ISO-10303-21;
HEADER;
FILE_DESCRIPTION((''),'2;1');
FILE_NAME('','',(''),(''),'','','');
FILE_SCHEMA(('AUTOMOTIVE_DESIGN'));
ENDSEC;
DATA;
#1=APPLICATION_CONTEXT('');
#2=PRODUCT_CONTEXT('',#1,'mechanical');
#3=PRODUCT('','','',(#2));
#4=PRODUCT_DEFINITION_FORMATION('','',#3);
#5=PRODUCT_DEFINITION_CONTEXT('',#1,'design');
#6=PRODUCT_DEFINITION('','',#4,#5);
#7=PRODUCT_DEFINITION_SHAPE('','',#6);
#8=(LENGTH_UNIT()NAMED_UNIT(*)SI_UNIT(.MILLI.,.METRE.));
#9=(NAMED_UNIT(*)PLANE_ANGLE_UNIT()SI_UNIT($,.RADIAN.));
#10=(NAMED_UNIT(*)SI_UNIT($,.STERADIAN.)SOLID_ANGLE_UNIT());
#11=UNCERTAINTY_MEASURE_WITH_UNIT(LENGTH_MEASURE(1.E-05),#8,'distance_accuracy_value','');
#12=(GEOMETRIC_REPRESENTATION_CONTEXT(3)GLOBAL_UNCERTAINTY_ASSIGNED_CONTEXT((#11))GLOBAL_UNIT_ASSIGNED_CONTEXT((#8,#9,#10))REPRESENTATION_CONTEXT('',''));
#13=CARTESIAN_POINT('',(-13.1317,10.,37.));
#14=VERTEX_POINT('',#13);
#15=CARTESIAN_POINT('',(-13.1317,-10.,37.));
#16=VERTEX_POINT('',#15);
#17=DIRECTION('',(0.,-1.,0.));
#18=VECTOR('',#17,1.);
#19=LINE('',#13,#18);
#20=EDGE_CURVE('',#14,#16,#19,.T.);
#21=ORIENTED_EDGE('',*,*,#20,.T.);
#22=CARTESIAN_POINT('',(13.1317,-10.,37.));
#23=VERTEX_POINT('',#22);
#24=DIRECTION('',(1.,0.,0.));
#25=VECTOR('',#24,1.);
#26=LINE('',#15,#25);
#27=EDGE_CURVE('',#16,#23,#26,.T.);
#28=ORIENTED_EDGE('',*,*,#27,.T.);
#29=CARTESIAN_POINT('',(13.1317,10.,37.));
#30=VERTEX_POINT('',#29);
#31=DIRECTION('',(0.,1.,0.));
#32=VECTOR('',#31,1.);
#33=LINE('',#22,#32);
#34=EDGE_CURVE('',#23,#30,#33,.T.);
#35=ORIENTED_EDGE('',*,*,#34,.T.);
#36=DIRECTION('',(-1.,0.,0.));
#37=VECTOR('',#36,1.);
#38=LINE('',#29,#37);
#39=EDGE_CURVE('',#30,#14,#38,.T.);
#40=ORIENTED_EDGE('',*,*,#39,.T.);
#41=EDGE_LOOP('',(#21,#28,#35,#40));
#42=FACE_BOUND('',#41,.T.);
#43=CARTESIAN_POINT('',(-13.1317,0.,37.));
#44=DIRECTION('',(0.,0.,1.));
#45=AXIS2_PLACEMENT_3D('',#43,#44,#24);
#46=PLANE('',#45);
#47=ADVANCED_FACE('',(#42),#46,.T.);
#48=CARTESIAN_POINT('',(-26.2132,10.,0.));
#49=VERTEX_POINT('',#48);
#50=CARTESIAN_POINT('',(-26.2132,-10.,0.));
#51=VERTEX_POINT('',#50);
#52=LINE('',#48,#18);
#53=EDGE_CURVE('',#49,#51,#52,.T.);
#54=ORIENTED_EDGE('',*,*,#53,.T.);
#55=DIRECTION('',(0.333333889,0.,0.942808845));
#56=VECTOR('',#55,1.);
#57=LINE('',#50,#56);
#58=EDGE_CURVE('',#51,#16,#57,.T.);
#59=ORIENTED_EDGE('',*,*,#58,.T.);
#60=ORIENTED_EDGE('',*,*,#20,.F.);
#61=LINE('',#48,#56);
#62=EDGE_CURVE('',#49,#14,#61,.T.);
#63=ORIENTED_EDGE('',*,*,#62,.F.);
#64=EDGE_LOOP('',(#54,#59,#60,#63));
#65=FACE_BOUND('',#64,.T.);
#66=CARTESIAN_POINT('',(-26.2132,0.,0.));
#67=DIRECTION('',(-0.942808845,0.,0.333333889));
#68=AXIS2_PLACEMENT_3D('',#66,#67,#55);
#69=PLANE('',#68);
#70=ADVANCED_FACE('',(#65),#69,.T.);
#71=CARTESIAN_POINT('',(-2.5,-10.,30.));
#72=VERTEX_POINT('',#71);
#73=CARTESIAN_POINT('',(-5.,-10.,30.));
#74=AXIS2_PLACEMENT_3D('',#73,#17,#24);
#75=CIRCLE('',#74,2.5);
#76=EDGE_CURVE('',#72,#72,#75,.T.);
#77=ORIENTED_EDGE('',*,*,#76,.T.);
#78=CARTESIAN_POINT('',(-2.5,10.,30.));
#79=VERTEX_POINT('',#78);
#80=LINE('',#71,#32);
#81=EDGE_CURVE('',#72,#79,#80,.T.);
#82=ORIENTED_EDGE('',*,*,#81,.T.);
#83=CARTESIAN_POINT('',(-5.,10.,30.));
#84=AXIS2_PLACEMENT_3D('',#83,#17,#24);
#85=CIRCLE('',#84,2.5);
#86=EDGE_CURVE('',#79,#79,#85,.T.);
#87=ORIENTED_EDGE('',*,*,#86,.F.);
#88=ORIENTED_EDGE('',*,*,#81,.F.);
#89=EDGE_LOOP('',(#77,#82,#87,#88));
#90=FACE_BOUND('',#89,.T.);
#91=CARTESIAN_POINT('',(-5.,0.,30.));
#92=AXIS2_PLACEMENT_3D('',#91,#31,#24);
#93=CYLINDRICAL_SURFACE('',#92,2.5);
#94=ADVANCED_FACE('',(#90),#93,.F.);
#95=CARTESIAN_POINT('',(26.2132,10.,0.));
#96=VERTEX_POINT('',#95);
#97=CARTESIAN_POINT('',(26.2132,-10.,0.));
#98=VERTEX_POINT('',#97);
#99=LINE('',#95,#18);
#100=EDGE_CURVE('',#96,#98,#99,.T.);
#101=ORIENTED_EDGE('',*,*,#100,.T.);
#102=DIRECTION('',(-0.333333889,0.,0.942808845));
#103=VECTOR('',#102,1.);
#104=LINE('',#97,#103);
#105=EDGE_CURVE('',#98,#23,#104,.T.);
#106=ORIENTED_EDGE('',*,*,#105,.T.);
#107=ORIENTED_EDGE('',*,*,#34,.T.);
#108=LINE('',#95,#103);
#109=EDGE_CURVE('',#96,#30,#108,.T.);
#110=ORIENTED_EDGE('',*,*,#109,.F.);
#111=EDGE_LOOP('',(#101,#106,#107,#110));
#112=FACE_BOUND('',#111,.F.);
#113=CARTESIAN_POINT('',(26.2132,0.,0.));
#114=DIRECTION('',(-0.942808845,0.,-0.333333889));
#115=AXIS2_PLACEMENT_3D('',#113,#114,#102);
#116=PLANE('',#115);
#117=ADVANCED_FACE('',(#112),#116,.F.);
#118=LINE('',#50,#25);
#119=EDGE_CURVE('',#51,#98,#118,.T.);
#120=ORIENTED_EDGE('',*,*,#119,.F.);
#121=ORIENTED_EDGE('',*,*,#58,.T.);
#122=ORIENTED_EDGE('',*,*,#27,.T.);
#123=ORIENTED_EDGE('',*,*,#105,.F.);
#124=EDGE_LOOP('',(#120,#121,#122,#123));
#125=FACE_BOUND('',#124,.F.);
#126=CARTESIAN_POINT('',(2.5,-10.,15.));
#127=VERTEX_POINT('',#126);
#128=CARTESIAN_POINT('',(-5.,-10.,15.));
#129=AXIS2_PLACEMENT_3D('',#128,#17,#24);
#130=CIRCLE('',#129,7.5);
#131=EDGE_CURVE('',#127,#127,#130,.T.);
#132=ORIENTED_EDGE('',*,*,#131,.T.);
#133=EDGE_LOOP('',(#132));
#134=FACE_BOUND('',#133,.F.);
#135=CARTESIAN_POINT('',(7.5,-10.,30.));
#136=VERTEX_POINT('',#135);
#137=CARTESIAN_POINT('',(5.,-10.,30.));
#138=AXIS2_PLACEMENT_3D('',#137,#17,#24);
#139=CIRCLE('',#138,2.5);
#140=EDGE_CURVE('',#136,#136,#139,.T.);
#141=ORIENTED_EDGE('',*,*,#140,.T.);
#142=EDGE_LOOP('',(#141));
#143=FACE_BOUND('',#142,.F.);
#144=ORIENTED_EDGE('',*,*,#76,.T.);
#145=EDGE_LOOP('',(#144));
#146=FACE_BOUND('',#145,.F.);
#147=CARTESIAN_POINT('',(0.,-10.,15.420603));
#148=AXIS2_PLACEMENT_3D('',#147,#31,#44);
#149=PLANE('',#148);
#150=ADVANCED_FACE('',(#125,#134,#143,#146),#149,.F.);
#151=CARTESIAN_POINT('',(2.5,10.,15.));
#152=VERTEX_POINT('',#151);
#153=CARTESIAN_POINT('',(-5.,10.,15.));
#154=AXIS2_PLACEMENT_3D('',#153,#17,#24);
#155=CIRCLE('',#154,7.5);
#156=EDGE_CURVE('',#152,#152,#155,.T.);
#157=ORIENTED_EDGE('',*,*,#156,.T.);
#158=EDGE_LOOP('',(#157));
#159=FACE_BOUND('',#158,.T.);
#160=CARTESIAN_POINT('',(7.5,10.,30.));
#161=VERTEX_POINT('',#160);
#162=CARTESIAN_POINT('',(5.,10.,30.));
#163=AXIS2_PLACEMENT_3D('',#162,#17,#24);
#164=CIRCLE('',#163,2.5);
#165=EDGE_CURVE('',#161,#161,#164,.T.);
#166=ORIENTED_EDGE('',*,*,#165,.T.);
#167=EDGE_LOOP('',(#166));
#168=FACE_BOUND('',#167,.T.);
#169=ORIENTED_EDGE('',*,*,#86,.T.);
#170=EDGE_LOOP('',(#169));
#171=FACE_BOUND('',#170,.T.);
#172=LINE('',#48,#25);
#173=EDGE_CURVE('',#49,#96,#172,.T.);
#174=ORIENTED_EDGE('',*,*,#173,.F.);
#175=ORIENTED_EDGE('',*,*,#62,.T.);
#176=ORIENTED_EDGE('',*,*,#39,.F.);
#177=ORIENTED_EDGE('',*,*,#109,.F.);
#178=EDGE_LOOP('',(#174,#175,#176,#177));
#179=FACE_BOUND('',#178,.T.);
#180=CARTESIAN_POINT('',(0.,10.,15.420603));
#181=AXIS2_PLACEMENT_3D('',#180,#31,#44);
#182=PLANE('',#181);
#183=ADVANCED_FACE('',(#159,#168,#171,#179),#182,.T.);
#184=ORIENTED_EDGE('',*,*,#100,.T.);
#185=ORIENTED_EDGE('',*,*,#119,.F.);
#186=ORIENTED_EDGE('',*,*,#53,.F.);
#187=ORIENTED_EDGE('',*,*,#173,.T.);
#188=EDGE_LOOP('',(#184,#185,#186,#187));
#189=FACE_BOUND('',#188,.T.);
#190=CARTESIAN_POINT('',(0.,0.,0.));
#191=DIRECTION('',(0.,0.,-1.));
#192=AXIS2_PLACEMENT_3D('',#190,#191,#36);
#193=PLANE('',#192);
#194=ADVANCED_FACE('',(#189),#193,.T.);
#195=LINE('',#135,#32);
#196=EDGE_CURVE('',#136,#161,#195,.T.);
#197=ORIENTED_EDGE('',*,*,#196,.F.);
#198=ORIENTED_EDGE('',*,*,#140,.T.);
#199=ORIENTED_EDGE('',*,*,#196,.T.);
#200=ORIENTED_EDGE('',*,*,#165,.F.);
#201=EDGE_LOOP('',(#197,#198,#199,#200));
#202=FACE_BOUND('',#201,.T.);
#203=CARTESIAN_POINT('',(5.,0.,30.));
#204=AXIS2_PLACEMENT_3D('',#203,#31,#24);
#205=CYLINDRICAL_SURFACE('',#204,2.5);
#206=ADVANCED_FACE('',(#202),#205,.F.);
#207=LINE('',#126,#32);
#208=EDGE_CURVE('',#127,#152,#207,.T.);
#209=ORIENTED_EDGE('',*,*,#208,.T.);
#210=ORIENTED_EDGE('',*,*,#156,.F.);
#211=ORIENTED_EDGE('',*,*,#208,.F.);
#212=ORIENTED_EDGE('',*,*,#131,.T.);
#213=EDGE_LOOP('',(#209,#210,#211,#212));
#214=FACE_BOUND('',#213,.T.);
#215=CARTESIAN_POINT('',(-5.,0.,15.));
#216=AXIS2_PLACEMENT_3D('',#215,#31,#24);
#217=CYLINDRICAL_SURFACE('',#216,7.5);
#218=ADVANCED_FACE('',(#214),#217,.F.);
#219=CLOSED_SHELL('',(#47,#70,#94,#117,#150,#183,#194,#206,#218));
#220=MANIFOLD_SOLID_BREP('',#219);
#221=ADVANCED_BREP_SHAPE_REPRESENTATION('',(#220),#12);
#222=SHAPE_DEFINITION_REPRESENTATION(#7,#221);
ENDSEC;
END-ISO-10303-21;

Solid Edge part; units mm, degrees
sketch "Sketch1" plane through (0, 0, 0) normal (0, -1, 0) x (1, 0, 0)
  line L0 (-13.1317, 37) -> (0, 37)
  line L1 (13.1317, 37) -> (0, 37)
  line L2 (26.2132, 0) -> (13.1317, 37)
  line L3 (0, 0) -> (26.2132, 0)
  line L4 (0, 0) -> (-26.2132, 0)
  line L5 (-26.2132, 0) -> (-13.1317, 37)
  circle A0 centre (-5, 30) radius 2.5
  circle A1 centre (5, 30) radius 2.5
  circle A2 centre (-5, 15) radius 7.5
  dimension "D1" = 15
  dimension "D2" = 15
  dimension "D3" = 7
  dimension "D4" = 10
  dimension "D5" = 10
extrude "Protrusion1" add sketch "Sketch1" along normal mid plane 20
